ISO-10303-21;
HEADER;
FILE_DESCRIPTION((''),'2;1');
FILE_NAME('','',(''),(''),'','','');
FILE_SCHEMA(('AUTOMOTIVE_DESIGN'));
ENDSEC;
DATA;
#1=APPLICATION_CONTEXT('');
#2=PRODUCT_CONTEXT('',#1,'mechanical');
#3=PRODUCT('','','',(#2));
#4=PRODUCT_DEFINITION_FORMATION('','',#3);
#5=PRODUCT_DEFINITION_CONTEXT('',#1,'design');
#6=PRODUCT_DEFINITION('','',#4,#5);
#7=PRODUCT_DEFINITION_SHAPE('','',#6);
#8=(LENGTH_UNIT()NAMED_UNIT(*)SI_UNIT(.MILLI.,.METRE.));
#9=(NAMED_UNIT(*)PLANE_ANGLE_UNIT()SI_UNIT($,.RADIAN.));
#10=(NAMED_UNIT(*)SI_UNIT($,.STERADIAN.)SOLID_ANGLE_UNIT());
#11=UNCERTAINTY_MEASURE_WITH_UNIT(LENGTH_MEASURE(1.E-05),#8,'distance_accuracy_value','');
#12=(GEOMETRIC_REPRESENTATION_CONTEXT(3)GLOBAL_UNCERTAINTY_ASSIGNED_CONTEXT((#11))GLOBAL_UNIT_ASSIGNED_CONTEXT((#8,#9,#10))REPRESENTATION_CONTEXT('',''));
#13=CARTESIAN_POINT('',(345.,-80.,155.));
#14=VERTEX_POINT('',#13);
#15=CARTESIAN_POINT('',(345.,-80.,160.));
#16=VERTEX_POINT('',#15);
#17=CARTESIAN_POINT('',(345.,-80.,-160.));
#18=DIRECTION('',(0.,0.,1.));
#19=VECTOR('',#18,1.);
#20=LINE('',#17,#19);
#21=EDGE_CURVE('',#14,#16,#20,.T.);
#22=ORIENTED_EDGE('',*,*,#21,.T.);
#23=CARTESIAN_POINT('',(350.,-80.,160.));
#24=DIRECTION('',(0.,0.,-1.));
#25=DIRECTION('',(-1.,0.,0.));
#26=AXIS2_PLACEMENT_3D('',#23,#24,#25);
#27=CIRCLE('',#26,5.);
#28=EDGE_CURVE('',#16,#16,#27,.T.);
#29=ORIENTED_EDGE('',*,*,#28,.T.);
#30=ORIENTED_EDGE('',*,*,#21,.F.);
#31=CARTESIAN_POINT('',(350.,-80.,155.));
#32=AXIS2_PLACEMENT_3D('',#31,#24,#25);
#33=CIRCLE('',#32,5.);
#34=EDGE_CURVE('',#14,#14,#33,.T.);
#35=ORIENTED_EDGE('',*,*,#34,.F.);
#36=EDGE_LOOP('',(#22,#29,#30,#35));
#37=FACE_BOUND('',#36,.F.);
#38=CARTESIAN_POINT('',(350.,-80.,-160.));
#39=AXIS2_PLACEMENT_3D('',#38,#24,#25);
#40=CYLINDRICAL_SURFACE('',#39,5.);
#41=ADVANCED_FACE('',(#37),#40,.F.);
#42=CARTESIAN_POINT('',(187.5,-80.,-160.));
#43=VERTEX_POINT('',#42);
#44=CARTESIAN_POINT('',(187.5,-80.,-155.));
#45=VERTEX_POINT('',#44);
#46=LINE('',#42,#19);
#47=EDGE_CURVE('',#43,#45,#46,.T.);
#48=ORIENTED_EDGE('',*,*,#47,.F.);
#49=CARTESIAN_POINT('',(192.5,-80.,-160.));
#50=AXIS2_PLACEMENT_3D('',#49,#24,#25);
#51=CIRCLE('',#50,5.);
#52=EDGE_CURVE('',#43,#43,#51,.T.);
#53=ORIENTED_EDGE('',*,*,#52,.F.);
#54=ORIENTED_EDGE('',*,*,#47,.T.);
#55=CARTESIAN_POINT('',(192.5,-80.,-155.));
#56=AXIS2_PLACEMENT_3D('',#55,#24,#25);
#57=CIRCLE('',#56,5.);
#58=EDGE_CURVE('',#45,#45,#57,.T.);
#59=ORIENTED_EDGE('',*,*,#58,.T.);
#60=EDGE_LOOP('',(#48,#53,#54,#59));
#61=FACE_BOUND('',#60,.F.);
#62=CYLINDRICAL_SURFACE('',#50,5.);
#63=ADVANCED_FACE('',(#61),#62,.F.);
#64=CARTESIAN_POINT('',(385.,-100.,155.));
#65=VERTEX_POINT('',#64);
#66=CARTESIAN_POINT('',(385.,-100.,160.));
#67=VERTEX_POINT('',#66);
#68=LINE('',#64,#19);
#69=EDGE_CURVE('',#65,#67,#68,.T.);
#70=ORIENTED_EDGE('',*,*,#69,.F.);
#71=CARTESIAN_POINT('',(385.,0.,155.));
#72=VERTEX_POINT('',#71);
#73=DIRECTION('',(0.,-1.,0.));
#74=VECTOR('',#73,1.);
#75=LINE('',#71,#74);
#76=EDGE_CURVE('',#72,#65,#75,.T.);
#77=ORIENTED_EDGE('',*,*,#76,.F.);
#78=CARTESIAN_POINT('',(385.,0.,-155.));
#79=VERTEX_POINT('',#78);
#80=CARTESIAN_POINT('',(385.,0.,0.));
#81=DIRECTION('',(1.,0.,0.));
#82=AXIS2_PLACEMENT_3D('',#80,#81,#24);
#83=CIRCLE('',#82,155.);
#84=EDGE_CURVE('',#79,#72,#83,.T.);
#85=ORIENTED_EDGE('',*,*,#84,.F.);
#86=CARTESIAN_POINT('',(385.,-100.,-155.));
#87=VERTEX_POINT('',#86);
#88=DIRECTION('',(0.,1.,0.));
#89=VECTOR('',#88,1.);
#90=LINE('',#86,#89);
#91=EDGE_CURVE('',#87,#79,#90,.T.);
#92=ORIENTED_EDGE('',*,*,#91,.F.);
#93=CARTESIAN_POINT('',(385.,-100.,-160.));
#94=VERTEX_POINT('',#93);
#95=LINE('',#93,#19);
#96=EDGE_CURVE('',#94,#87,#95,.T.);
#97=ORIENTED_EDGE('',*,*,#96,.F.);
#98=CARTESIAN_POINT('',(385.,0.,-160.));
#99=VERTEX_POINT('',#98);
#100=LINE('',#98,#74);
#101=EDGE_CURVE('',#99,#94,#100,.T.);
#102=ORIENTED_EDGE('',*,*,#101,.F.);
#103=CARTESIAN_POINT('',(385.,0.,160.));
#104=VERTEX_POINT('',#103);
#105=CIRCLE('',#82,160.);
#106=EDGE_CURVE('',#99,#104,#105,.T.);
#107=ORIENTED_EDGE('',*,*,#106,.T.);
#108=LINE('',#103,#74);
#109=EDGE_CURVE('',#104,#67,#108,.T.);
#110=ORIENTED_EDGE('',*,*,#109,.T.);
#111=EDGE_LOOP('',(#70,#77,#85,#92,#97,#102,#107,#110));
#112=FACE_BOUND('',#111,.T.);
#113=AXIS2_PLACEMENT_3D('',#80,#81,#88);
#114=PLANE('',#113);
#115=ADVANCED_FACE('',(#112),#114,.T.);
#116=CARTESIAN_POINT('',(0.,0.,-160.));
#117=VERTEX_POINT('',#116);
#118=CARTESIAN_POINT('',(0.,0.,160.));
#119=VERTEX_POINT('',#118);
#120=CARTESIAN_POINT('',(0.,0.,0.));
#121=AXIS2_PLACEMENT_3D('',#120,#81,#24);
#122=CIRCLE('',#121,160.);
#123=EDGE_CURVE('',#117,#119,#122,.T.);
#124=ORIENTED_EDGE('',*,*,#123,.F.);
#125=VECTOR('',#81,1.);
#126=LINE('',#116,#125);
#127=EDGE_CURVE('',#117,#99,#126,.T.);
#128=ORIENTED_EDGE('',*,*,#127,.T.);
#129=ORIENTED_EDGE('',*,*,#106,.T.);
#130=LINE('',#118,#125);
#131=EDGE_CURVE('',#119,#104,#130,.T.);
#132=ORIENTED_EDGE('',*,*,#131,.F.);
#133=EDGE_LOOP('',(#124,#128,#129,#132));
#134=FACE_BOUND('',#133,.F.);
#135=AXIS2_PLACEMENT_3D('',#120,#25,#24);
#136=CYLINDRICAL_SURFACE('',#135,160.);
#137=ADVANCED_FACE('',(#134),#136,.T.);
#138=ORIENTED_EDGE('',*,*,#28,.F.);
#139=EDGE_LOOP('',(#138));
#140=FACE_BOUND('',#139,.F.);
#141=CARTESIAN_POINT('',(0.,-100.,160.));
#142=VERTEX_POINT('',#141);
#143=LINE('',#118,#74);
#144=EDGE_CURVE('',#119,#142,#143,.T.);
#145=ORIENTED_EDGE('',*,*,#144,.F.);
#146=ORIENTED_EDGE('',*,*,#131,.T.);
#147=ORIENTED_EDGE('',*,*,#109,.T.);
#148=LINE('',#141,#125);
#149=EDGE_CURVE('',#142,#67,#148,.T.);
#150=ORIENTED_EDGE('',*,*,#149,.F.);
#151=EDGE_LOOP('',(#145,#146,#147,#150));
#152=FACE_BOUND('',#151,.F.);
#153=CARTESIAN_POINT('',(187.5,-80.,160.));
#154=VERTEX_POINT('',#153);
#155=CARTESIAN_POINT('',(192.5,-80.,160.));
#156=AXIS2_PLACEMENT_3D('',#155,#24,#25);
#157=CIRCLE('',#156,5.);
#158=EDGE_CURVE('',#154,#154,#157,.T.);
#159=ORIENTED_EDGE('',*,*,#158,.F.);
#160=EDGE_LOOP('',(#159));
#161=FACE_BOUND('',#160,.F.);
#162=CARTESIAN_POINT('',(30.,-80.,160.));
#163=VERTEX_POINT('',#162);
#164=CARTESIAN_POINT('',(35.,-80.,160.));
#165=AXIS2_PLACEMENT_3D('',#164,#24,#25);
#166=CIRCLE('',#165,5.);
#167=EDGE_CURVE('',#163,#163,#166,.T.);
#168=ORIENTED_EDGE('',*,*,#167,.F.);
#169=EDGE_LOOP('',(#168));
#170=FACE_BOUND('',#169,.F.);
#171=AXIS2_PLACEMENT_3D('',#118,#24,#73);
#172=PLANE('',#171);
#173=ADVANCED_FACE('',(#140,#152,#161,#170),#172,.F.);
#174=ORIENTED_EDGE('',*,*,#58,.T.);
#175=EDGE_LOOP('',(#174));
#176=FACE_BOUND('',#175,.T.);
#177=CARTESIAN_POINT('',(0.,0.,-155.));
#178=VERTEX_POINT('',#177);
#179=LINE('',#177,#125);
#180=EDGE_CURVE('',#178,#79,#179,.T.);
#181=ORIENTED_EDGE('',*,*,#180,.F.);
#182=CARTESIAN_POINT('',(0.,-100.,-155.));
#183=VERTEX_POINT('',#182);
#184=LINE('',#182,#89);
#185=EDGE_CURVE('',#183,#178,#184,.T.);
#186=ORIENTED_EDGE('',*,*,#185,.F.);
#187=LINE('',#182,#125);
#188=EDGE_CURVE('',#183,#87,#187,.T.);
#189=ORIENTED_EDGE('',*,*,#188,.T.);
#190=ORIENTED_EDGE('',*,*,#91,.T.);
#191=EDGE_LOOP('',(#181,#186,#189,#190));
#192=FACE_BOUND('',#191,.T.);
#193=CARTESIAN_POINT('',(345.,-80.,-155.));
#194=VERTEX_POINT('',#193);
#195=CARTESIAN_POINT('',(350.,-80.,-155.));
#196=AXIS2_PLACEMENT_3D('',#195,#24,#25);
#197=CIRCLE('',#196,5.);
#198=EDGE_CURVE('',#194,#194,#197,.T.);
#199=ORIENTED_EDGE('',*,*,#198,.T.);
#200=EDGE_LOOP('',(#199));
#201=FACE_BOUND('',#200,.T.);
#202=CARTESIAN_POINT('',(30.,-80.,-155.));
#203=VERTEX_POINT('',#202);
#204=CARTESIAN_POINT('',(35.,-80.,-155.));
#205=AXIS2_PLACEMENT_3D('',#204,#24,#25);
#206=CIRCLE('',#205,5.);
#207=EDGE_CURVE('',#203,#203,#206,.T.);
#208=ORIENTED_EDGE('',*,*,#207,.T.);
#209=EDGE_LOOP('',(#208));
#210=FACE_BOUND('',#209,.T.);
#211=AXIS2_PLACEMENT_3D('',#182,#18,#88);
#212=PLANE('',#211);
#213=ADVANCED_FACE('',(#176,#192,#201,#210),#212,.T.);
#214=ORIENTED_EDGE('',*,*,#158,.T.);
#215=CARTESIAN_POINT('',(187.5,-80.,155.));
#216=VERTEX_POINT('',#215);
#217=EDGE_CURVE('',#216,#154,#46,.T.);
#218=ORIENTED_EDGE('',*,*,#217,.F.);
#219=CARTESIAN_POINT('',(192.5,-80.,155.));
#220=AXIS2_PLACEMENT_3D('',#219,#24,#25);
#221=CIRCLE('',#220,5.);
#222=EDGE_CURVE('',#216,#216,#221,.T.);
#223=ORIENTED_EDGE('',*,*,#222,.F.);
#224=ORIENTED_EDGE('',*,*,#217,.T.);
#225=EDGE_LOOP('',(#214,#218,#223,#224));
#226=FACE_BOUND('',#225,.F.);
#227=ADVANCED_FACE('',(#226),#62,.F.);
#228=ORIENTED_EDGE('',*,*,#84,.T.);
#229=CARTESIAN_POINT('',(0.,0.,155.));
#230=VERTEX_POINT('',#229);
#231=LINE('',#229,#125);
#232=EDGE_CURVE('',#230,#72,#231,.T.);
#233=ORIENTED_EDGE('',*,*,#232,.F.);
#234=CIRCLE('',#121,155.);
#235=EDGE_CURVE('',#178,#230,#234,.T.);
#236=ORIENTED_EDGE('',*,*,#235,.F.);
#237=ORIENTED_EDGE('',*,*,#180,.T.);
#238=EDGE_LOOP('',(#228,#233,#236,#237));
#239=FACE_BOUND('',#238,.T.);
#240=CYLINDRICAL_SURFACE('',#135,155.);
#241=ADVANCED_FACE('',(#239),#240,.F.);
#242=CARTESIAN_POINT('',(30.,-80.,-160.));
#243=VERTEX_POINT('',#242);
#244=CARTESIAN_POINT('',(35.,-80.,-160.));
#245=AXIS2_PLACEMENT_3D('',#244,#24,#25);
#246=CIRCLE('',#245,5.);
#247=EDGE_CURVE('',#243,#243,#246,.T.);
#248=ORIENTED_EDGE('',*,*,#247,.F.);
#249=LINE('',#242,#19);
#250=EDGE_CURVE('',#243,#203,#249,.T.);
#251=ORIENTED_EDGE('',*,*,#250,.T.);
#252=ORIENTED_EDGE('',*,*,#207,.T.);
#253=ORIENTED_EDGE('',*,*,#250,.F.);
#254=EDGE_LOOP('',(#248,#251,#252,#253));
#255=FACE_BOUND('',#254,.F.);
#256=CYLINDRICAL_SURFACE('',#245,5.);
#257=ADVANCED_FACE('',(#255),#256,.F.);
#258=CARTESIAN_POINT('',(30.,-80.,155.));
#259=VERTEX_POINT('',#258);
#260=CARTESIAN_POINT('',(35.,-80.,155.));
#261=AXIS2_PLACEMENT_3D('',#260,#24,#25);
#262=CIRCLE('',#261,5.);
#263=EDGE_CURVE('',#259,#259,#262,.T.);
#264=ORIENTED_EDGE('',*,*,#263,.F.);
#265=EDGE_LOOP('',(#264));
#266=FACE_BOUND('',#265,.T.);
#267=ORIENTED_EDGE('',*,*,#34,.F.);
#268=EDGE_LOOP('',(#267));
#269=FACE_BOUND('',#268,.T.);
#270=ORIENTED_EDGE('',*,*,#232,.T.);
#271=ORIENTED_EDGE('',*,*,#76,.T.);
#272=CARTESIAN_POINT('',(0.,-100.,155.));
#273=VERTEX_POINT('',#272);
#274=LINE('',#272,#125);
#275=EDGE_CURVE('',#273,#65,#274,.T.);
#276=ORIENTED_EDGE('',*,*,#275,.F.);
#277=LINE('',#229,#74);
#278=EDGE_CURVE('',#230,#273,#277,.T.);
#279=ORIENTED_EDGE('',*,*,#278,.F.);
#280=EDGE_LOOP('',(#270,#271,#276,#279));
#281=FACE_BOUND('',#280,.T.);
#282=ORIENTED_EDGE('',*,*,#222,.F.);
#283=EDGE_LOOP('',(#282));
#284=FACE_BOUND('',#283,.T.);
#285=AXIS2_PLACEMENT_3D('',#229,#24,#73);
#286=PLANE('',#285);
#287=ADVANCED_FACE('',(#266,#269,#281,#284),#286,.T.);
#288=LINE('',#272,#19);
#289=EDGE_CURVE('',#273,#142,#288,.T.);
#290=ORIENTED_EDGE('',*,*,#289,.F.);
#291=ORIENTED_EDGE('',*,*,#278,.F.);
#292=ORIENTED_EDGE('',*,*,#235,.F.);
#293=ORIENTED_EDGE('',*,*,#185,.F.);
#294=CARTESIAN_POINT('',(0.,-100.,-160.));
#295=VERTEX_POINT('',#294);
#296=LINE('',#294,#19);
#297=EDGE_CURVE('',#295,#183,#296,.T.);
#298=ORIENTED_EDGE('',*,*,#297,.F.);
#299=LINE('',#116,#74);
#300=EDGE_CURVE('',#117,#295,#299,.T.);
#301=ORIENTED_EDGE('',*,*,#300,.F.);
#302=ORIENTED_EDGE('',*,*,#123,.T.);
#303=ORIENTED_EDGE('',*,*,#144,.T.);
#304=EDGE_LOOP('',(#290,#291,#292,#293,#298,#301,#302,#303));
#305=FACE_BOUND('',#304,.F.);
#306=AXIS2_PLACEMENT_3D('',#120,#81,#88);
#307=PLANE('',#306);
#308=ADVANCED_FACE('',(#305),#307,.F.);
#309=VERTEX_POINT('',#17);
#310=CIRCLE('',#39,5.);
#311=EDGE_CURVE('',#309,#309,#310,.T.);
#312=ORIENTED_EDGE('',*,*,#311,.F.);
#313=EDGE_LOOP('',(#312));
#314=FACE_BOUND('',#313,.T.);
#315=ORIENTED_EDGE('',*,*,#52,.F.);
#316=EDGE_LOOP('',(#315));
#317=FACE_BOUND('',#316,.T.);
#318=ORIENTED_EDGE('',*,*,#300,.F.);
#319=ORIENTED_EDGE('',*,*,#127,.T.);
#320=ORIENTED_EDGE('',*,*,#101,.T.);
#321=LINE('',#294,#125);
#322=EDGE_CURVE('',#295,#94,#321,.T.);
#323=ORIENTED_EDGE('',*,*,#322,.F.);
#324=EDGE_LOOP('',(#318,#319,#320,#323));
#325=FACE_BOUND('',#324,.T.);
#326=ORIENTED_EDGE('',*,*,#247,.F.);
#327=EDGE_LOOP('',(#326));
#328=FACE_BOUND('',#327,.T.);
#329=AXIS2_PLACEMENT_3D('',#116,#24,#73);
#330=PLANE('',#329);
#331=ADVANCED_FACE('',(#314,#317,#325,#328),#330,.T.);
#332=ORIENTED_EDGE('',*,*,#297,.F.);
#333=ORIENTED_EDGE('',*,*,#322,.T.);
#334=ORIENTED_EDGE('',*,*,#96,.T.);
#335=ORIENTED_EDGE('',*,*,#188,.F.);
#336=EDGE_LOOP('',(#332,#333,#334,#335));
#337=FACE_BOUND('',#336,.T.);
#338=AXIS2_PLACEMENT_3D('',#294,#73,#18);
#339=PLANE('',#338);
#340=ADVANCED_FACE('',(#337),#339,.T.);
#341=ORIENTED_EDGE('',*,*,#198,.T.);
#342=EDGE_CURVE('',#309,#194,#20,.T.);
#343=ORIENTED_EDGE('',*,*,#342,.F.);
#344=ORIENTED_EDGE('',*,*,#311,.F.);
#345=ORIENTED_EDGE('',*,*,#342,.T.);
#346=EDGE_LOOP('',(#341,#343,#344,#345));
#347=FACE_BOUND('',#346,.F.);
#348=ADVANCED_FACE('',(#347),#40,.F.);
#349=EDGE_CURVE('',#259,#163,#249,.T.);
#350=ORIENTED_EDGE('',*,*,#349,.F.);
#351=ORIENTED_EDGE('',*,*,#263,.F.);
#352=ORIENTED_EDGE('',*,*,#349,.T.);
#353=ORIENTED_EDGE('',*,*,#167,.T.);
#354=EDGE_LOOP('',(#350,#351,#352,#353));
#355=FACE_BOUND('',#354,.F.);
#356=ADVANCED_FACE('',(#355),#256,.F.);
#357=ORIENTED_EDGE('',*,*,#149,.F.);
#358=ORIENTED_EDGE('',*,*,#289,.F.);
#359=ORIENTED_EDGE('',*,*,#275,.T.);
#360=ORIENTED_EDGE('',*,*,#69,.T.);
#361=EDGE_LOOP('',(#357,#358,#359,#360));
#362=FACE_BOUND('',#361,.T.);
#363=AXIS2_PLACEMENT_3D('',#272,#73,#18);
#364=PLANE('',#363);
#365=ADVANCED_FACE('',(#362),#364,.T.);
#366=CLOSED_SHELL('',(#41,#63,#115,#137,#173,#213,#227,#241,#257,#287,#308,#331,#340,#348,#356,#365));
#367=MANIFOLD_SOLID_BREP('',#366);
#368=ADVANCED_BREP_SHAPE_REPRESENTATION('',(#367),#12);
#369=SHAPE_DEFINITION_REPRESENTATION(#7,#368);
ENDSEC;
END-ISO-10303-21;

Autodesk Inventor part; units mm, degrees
ref_plane "YZ Plane" through (0, 0, 0) normal (1, 0, 0) x (0, 1, 0)
ref_plane "XZ Plane" through (0, 0, 0) normal (0, 1, 0) x (-1, 0, 0)
sketch "Boceto1" plane through (0, 0, 0) normal (1, 0, 0) x (0, 1, 0)
  line L0 (0, 0) -> (0, -220.3761) construction
  arc A0 (0, -155) -> (0, 155) centre (0, 0) ccw
  arc A1 (0, -160) -> (0, 160) centre (0, 0) ccw
  line L1 (0, 155) -> (0, 160) construction
  line L2 (0, -155) -> (0, -160) construction
  line L3 (0, -160) -> (-100, -160)
  line L4 (-100, -160) -> (-100, -155)
  line L5 (-100, -155) -> (0, -155)
  line L6 (0, 155) -> (-100, 155)
  line L7 (-100, 155) -> (-100, 160)
  line L8 (0, 160) -> (-100, 160)
  dimension "d1" = 155
  dimension "d4" = 160
  dimension "d7" = 100
  dimension "d8" = 5
extrude "Extrusión1" add sketch "Boceto1" along normal blind 385
sketch "Boceto2" plane through (0, -100, -160) normal (0, 0, -1) x (-1, 0, 0)
  line L0 (-385, 0) -> (-385, 100) construction
  line L1 (-385, 20) -> (0, 20) construction
  line L2 (0, 0) -> (0, 100) construction
  circle A0 centre (-350, 20) radius 5
  circle A1 centre (-192.5, 20) radius 5
  circle A2 centre (-35, 20) radius 5
  dimension "d9" = 10
  dimension "d10" = 35
  dimension "d11" = 35
  dimension "d14" = 20
extrude "Extrusión2" cut sketch "Boceto2" against normal through all
ref_plane "Plano de trabajo1" through (192.5, 0, 0) normal (1, 0, 0) x (0, 0, -1)
equation "\"Radio_pliegue\" = Grosor"
equation "\"Anchura_desahogo_plegado\" = Grosor"
equation "\"Profundidad_desahogo_plegado\" = 0.5 * Grosor"
equation "\"Radiodetransición\" = Radio_pliegue"
equation "\"Tamaño_de_radio_de_Jacobi\" = Radio_pliegue"
equation "\"TamañoSeparación\" = Grosor"
equation "\"Grosor\" = 5"
properties part number "Acrilico" material "Plástico PMMA"
